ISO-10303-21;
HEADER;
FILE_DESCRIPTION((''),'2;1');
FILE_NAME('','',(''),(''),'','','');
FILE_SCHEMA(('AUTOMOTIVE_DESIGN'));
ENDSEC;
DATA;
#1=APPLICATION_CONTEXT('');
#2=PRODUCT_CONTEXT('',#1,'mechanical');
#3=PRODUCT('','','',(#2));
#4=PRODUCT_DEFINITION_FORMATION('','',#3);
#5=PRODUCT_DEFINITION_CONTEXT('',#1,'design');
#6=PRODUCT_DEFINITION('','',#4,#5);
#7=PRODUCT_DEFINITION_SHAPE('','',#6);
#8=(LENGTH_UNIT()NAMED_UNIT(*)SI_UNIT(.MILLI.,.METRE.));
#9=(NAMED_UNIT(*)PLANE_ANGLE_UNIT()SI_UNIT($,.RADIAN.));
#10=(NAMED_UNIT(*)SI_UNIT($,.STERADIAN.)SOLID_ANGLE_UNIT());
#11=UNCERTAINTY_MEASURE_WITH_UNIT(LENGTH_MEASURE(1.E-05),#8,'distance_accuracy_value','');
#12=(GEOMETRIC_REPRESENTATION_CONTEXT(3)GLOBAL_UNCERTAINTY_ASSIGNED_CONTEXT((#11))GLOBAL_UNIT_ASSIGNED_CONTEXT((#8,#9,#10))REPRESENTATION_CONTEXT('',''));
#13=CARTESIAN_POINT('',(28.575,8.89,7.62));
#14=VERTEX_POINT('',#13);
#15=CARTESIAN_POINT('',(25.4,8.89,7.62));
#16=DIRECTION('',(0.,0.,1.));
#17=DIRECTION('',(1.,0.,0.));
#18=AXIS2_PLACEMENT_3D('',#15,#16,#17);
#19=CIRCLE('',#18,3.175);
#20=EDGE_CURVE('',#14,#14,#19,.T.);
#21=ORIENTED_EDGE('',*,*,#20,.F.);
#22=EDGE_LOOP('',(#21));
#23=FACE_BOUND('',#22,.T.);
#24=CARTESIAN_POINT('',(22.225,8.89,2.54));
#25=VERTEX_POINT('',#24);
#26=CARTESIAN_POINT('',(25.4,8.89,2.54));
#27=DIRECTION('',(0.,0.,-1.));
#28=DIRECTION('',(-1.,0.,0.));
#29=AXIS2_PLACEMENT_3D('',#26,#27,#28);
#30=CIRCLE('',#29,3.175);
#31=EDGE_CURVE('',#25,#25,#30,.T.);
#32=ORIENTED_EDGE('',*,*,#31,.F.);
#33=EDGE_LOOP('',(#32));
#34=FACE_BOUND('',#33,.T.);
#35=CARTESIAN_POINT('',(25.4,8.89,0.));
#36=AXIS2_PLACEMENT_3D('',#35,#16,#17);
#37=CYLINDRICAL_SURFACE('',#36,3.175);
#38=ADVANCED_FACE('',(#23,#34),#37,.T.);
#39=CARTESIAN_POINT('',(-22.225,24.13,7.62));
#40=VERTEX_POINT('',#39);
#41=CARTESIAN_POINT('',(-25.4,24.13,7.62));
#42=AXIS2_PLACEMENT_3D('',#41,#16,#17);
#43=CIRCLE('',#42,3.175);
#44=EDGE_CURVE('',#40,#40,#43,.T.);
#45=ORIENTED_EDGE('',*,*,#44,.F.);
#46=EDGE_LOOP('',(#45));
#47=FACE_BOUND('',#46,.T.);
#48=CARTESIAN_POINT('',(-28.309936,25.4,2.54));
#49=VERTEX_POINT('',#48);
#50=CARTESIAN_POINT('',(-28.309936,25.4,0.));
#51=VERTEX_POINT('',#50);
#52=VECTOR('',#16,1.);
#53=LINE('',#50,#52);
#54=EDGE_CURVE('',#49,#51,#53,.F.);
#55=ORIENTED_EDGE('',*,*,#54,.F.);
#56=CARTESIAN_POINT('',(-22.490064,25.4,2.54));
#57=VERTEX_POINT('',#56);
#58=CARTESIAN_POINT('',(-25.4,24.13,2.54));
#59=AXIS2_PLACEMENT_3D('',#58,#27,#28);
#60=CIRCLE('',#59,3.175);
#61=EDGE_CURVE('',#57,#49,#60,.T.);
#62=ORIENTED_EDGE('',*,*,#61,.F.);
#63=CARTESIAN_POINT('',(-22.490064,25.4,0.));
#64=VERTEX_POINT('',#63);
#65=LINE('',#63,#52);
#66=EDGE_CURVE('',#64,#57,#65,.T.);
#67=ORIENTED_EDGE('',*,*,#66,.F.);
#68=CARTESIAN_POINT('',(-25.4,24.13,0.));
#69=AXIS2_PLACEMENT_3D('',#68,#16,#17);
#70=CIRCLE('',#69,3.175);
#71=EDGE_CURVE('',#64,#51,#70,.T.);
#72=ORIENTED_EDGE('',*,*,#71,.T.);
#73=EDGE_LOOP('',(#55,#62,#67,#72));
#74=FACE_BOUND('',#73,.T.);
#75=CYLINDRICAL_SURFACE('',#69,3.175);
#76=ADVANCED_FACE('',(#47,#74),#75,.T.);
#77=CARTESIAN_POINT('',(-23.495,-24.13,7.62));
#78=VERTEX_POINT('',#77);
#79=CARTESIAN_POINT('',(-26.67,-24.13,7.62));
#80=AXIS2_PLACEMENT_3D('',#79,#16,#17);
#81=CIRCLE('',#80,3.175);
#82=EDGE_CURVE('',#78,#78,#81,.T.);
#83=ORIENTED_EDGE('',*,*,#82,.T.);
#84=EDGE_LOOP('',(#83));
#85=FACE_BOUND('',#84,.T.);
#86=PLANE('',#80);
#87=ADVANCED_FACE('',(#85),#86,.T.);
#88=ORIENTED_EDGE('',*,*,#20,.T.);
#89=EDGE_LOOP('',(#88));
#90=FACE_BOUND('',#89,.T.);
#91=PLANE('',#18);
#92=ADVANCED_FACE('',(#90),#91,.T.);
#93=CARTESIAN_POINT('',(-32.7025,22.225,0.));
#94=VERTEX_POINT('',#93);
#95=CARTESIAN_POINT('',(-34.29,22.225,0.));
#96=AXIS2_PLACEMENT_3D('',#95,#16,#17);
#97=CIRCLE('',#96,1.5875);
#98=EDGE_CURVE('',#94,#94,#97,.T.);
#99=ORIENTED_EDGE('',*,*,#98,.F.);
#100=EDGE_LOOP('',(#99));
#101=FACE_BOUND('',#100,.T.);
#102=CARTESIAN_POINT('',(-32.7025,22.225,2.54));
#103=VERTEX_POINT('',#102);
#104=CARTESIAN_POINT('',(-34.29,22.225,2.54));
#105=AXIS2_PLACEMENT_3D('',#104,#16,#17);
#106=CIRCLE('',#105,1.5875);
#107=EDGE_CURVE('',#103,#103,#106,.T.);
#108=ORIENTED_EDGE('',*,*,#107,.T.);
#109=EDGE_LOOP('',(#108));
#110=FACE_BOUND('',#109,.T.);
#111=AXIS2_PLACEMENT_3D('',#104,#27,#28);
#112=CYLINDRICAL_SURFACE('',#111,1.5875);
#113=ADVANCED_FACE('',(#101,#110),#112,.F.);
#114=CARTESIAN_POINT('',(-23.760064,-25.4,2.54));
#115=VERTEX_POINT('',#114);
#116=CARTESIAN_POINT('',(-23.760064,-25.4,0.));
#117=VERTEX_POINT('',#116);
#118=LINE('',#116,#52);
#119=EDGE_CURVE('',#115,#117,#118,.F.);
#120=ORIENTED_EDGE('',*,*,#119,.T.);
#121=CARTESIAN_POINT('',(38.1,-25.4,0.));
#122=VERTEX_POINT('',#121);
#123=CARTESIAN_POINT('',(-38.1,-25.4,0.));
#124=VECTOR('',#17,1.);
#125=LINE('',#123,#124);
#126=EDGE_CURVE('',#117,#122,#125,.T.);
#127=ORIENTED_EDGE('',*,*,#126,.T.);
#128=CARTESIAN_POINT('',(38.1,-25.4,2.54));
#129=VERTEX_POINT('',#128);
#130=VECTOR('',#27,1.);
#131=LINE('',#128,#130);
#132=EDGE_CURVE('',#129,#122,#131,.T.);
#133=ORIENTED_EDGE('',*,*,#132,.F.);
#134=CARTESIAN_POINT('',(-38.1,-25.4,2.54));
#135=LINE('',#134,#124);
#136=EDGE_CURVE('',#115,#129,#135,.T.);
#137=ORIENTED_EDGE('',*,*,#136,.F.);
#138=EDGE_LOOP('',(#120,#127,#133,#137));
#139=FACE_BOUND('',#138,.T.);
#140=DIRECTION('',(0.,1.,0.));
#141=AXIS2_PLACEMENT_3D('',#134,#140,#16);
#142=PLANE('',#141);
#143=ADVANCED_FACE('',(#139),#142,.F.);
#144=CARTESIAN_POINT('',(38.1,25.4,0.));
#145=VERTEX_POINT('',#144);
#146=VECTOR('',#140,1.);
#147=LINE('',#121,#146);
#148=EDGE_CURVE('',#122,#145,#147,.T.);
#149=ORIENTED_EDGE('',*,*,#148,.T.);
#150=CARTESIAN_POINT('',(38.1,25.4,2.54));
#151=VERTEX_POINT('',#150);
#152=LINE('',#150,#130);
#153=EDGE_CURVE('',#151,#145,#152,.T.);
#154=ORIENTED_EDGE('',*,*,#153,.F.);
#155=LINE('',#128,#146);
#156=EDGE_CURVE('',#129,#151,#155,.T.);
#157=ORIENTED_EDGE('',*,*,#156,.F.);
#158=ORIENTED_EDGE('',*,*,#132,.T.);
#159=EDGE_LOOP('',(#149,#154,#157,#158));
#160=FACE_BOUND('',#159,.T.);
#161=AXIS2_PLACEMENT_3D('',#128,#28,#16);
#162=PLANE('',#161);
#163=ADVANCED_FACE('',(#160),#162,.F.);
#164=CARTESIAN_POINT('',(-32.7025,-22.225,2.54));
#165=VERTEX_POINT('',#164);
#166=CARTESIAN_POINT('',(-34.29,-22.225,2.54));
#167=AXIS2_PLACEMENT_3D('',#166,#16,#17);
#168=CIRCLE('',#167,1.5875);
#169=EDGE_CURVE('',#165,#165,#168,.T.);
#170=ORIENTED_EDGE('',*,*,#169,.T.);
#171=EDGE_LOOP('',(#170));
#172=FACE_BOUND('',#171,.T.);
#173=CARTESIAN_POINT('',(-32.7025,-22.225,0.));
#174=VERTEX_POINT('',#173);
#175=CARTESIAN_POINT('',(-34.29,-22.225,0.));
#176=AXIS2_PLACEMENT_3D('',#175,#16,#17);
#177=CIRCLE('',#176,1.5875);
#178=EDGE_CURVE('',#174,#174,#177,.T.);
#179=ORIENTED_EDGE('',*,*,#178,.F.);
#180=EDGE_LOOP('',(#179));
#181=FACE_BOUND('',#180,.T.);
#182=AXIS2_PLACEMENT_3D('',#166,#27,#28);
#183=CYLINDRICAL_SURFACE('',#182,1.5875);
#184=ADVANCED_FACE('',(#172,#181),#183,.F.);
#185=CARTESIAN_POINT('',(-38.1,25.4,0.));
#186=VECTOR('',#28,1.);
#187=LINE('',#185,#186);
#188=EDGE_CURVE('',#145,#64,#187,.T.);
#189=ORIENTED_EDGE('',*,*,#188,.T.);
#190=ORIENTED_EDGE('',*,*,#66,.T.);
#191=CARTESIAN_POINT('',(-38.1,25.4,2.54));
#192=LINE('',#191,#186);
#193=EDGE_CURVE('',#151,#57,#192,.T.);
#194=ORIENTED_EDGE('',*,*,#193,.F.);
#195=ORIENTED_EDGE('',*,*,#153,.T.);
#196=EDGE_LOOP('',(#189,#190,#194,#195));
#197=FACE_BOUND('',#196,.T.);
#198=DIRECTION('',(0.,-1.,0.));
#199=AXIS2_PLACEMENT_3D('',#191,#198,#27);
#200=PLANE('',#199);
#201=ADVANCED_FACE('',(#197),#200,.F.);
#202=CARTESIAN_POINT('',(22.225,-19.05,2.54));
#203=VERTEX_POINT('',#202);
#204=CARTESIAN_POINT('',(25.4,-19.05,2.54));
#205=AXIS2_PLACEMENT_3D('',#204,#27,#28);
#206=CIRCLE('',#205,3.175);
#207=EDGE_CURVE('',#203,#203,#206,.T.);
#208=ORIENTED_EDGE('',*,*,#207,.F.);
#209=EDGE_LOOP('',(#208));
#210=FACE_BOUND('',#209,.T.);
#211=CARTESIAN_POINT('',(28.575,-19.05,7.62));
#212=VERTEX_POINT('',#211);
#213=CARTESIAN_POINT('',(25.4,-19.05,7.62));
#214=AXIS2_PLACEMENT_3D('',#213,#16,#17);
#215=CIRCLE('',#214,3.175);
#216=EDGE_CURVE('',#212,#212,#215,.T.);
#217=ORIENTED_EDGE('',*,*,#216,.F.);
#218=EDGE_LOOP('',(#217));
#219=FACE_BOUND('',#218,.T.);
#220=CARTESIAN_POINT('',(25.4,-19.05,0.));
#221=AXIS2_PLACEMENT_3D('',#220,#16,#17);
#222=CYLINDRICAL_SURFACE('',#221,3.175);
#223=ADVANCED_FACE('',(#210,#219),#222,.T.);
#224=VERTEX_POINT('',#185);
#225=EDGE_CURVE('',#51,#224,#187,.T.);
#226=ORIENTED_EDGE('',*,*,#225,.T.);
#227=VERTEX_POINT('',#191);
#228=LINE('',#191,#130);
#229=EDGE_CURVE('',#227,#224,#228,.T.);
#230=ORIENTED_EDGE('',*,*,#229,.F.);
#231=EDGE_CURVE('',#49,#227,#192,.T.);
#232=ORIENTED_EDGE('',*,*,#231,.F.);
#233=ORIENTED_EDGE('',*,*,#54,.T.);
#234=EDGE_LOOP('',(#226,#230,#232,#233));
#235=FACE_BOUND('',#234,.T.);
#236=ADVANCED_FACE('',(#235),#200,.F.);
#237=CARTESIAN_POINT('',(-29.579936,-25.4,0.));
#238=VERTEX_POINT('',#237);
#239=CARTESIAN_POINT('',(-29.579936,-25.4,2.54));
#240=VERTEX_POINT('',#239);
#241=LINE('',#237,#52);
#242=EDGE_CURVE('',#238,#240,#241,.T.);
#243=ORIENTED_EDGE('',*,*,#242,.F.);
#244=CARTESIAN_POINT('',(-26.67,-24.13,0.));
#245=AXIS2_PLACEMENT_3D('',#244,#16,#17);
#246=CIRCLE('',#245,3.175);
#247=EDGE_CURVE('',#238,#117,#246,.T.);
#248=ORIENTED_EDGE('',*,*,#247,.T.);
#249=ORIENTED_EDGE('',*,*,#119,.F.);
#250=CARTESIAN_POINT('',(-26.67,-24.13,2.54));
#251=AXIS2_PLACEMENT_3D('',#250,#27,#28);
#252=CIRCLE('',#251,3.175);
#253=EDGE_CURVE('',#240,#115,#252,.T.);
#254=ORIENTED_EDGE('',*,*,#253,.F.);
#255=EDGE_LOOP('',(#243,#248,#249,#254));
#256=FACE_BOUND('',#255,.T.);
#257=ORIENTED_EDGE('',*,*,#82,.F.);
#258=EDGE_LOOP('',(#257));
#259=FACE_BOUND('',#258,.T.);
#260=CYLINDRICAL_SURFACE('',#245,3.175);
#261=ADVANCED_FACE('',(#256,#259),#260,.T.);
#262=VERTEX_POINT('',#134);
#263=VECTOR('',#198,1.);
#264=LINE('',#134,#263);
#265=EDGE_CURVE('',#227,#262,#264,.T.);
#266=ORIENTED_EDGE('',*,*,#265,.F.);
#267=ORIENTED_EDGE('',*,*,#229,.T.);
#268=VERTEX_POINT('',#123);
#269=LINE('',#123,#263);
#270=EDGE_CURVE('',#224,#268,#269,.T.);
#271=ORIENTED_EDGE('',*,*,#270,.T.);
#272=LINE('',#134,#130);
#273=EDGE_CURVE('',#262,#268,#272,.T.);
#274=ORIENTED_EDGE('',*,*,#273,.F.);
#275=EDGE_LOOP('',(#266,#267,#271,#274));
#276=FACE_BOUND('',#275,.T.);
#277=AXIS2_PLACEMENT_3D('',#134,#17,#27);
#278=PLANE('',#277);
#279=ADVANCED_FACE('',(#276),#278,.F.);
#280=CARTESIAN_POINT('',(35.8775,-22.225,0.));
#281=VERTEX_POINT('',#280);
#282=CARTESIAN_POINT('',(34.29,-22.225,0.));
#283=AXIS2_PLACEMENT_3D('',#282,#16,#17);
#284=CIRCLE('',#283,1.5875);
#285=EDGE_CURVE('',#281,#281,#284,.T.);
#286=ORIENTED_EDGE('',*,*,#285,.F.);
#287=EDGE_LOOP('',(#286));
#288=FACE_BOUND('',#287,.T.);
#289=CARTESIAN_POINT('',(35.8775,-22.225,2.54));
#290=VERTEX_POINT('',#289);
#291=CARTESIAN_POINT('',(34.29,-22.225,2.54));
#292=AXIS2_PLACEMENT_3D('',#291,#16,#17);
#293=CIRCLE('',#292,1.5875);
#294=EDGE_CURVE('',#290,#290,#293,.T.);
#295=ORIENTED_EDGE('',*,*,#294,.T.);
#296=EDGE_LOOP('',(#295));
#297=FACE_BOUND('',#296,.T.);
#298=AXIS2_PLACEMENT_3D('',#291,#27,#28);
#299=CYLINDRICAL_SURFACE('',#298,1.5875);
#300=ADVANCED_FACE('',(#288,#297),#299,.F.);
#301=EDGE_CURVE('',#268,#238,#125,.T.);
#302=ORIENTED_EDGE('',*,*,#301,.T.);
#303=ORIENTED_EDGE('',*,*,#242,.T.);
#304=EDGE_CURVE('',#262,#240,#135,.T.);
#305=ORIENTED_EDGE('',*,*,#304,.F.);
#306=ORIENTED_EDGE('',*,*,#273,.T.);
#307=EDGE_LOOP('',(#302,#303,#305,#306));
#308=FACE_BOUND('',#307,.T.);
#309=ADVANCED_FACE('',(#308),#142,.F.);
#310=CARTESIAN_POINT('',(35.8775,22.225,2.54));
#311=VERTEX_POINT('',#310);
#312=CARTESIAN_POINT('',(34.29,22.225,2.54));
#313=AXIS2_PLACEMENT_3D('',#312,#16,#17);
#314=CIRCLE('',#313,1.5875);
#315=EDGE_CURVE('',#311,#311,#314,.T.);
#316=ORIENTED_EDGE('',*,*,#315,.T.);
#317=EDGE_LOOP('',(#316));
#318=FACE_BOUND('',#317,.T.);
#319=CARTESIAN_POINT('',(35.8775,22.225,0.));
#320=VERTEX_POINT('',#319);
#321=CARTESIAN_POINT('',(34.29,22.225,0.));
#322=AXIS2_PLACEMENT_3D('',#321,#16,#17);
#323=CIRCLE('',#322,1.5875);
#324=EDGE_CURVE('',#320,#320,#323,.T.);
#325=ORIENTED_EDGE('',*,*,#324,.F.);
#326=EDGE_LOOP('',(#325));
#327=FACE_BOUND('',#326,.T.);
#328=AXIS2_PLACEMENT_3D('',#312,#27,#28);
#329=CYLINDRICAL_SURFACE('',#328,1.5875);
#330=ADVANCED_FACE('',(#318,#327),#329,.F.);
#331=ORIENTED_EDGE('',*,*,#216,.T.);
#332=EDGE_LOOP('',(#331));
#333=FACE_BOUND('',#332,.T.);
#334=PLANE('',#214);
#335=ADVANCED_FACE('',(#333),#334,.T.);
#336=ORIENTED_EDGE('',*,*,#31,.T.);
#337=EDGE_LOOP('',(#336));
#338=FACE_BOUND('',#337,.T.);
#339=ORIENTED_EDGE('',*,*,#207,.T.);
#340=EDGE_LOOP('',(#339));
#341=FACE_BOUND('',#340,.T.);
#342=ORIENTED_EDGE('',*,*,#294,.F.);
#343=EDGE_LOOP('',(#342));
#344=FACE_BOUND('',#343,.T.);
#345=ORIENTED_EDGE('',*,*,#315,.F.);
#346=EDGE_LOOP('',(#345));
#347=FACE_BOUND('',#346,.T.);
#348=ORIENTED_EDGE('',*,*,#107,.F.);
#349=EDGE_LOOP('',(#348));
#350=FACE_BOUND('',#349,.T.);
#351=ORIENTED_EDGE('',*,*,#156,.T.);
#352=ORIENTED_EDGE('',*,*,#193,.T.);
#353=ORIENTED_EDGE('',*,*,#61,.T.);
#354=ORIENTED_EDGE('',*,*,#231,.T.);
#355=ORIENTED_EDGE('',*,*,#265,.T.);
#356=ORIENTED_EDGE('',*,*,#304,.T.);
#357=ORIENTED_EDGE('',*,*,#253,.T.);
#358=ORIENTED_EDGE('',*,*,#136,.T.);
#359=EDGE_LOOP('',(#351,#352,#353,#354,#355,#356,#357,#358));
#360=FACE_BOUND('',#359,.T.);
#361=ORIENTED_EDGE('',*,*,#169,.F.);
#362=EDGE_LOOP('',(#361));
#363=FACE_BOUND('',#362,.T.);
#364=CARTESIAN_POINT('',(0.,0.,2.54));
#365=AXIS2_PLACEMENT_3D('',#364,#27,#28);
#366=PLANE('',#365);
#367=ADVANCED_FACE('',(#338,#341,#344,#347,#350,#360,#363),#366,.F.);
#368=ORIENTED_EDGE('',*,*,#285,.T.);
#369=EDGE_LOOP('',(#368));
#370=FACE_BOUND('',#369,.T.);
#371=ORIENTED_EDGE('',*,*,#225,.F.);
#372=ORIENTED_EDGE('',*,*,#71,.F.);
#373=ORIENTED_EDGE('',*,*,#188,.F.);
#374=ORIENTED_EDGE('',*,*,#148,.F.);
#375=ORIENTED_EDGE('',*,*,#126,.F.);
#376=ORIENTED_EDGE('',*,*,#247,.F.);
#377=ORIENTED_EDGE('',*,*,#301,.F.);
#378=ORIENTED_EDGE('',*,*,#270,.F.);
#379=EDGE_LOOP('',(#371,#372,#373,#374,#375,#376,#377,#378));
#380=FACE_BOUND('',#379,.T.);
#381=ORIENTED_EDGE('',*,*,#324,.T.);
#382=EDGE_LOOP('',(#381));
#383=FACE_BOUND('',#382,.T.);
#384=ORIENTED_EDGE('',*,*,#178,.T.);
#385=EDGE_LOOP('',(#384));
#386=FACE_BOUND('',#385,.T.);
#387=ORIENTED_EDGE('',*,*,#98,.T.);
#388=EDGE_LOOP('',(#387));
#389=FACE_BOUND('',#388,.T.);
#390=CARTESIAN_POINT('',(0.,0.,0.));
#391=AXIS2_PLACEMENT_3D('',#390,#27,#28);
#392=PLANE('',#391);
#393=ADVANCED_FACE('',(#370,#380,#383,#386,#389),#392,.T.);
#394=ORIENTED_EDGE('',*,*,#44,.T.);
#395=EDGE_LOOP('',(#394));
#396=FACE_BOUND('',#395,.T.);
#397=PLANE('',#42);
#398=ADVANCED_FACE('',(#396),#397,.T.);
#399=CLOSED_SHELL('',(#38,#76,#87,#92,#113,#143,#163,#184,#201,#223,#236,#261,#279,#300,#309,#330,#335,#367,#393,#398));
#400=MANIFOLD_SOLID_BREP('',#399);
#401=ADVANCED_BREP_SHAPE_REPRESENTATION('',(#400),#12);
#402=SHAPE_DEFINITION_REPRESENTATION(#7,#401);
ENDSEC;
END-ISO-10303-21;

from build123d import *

# Parameters (mm, degrees)
SKETCH1_W                = 76.2
SKETCH1_H                = 50.8
SKETCH1_R                = 1.5875
BOSS_EXTRUDE1_DEPTH      = 2.54
SKETCH2_R                = 3.175
BOSS_EXTRUDE2_DEPTH      = 5.08
BOSS_EXTRUDE2_DEPTH_BACK = 2.54


with BuildPart() as part:
    # Sketch1 → Boss-Extrude1 (new body)
    with BuildSketch(Plane.XY):
        Rectangle(SKETCH1_W, SKETCH1_H)
        with Locations((-34.29, 22.225)):
            Circle(SKETCH1_R, mode=Mode.SUBTRACT)
        with Locations((34.29, 22.225)):
            Circle(SKETCH1_R, mode=Mode.SUBTRACT)
        with Locations((34.29, -22.225)):
            Circle(SKETCH1_R, mode=Mode.SUBTRACT)
        with Locations((-34.29, -22.225)):
            Circle(SKETCH1_R, mode=Mode.SUBTRACT)
    extrude(amount=BOSS_EXTRUDE1_DEPTH)

    # Sketch2 → Boss-Extrude2 (add, two sides)
    with BuildSketch(Plane.XY.offset(2.54)) as boss_extrude2_sk:
        with Locations((-25.4, 24.13)):
            Circle(SKETCH2_R)
        with Locations((-26.67, -24.13)):
            Circle(SKETCH2_R)
        with Locations((25.4, 8.89)):
            Circle(SKETCH2_R)
        with Locations((25.4, -19.05)):
            Circle(SKETCH2_R)
    extrude(amount=BOSS_EXTRUDE2_DEPTH)
    extrude(boss_extrude2_sk.sketch, amount=-BOSS_EXTRUDE2_DEPTH_BACK)


solid = part.part
